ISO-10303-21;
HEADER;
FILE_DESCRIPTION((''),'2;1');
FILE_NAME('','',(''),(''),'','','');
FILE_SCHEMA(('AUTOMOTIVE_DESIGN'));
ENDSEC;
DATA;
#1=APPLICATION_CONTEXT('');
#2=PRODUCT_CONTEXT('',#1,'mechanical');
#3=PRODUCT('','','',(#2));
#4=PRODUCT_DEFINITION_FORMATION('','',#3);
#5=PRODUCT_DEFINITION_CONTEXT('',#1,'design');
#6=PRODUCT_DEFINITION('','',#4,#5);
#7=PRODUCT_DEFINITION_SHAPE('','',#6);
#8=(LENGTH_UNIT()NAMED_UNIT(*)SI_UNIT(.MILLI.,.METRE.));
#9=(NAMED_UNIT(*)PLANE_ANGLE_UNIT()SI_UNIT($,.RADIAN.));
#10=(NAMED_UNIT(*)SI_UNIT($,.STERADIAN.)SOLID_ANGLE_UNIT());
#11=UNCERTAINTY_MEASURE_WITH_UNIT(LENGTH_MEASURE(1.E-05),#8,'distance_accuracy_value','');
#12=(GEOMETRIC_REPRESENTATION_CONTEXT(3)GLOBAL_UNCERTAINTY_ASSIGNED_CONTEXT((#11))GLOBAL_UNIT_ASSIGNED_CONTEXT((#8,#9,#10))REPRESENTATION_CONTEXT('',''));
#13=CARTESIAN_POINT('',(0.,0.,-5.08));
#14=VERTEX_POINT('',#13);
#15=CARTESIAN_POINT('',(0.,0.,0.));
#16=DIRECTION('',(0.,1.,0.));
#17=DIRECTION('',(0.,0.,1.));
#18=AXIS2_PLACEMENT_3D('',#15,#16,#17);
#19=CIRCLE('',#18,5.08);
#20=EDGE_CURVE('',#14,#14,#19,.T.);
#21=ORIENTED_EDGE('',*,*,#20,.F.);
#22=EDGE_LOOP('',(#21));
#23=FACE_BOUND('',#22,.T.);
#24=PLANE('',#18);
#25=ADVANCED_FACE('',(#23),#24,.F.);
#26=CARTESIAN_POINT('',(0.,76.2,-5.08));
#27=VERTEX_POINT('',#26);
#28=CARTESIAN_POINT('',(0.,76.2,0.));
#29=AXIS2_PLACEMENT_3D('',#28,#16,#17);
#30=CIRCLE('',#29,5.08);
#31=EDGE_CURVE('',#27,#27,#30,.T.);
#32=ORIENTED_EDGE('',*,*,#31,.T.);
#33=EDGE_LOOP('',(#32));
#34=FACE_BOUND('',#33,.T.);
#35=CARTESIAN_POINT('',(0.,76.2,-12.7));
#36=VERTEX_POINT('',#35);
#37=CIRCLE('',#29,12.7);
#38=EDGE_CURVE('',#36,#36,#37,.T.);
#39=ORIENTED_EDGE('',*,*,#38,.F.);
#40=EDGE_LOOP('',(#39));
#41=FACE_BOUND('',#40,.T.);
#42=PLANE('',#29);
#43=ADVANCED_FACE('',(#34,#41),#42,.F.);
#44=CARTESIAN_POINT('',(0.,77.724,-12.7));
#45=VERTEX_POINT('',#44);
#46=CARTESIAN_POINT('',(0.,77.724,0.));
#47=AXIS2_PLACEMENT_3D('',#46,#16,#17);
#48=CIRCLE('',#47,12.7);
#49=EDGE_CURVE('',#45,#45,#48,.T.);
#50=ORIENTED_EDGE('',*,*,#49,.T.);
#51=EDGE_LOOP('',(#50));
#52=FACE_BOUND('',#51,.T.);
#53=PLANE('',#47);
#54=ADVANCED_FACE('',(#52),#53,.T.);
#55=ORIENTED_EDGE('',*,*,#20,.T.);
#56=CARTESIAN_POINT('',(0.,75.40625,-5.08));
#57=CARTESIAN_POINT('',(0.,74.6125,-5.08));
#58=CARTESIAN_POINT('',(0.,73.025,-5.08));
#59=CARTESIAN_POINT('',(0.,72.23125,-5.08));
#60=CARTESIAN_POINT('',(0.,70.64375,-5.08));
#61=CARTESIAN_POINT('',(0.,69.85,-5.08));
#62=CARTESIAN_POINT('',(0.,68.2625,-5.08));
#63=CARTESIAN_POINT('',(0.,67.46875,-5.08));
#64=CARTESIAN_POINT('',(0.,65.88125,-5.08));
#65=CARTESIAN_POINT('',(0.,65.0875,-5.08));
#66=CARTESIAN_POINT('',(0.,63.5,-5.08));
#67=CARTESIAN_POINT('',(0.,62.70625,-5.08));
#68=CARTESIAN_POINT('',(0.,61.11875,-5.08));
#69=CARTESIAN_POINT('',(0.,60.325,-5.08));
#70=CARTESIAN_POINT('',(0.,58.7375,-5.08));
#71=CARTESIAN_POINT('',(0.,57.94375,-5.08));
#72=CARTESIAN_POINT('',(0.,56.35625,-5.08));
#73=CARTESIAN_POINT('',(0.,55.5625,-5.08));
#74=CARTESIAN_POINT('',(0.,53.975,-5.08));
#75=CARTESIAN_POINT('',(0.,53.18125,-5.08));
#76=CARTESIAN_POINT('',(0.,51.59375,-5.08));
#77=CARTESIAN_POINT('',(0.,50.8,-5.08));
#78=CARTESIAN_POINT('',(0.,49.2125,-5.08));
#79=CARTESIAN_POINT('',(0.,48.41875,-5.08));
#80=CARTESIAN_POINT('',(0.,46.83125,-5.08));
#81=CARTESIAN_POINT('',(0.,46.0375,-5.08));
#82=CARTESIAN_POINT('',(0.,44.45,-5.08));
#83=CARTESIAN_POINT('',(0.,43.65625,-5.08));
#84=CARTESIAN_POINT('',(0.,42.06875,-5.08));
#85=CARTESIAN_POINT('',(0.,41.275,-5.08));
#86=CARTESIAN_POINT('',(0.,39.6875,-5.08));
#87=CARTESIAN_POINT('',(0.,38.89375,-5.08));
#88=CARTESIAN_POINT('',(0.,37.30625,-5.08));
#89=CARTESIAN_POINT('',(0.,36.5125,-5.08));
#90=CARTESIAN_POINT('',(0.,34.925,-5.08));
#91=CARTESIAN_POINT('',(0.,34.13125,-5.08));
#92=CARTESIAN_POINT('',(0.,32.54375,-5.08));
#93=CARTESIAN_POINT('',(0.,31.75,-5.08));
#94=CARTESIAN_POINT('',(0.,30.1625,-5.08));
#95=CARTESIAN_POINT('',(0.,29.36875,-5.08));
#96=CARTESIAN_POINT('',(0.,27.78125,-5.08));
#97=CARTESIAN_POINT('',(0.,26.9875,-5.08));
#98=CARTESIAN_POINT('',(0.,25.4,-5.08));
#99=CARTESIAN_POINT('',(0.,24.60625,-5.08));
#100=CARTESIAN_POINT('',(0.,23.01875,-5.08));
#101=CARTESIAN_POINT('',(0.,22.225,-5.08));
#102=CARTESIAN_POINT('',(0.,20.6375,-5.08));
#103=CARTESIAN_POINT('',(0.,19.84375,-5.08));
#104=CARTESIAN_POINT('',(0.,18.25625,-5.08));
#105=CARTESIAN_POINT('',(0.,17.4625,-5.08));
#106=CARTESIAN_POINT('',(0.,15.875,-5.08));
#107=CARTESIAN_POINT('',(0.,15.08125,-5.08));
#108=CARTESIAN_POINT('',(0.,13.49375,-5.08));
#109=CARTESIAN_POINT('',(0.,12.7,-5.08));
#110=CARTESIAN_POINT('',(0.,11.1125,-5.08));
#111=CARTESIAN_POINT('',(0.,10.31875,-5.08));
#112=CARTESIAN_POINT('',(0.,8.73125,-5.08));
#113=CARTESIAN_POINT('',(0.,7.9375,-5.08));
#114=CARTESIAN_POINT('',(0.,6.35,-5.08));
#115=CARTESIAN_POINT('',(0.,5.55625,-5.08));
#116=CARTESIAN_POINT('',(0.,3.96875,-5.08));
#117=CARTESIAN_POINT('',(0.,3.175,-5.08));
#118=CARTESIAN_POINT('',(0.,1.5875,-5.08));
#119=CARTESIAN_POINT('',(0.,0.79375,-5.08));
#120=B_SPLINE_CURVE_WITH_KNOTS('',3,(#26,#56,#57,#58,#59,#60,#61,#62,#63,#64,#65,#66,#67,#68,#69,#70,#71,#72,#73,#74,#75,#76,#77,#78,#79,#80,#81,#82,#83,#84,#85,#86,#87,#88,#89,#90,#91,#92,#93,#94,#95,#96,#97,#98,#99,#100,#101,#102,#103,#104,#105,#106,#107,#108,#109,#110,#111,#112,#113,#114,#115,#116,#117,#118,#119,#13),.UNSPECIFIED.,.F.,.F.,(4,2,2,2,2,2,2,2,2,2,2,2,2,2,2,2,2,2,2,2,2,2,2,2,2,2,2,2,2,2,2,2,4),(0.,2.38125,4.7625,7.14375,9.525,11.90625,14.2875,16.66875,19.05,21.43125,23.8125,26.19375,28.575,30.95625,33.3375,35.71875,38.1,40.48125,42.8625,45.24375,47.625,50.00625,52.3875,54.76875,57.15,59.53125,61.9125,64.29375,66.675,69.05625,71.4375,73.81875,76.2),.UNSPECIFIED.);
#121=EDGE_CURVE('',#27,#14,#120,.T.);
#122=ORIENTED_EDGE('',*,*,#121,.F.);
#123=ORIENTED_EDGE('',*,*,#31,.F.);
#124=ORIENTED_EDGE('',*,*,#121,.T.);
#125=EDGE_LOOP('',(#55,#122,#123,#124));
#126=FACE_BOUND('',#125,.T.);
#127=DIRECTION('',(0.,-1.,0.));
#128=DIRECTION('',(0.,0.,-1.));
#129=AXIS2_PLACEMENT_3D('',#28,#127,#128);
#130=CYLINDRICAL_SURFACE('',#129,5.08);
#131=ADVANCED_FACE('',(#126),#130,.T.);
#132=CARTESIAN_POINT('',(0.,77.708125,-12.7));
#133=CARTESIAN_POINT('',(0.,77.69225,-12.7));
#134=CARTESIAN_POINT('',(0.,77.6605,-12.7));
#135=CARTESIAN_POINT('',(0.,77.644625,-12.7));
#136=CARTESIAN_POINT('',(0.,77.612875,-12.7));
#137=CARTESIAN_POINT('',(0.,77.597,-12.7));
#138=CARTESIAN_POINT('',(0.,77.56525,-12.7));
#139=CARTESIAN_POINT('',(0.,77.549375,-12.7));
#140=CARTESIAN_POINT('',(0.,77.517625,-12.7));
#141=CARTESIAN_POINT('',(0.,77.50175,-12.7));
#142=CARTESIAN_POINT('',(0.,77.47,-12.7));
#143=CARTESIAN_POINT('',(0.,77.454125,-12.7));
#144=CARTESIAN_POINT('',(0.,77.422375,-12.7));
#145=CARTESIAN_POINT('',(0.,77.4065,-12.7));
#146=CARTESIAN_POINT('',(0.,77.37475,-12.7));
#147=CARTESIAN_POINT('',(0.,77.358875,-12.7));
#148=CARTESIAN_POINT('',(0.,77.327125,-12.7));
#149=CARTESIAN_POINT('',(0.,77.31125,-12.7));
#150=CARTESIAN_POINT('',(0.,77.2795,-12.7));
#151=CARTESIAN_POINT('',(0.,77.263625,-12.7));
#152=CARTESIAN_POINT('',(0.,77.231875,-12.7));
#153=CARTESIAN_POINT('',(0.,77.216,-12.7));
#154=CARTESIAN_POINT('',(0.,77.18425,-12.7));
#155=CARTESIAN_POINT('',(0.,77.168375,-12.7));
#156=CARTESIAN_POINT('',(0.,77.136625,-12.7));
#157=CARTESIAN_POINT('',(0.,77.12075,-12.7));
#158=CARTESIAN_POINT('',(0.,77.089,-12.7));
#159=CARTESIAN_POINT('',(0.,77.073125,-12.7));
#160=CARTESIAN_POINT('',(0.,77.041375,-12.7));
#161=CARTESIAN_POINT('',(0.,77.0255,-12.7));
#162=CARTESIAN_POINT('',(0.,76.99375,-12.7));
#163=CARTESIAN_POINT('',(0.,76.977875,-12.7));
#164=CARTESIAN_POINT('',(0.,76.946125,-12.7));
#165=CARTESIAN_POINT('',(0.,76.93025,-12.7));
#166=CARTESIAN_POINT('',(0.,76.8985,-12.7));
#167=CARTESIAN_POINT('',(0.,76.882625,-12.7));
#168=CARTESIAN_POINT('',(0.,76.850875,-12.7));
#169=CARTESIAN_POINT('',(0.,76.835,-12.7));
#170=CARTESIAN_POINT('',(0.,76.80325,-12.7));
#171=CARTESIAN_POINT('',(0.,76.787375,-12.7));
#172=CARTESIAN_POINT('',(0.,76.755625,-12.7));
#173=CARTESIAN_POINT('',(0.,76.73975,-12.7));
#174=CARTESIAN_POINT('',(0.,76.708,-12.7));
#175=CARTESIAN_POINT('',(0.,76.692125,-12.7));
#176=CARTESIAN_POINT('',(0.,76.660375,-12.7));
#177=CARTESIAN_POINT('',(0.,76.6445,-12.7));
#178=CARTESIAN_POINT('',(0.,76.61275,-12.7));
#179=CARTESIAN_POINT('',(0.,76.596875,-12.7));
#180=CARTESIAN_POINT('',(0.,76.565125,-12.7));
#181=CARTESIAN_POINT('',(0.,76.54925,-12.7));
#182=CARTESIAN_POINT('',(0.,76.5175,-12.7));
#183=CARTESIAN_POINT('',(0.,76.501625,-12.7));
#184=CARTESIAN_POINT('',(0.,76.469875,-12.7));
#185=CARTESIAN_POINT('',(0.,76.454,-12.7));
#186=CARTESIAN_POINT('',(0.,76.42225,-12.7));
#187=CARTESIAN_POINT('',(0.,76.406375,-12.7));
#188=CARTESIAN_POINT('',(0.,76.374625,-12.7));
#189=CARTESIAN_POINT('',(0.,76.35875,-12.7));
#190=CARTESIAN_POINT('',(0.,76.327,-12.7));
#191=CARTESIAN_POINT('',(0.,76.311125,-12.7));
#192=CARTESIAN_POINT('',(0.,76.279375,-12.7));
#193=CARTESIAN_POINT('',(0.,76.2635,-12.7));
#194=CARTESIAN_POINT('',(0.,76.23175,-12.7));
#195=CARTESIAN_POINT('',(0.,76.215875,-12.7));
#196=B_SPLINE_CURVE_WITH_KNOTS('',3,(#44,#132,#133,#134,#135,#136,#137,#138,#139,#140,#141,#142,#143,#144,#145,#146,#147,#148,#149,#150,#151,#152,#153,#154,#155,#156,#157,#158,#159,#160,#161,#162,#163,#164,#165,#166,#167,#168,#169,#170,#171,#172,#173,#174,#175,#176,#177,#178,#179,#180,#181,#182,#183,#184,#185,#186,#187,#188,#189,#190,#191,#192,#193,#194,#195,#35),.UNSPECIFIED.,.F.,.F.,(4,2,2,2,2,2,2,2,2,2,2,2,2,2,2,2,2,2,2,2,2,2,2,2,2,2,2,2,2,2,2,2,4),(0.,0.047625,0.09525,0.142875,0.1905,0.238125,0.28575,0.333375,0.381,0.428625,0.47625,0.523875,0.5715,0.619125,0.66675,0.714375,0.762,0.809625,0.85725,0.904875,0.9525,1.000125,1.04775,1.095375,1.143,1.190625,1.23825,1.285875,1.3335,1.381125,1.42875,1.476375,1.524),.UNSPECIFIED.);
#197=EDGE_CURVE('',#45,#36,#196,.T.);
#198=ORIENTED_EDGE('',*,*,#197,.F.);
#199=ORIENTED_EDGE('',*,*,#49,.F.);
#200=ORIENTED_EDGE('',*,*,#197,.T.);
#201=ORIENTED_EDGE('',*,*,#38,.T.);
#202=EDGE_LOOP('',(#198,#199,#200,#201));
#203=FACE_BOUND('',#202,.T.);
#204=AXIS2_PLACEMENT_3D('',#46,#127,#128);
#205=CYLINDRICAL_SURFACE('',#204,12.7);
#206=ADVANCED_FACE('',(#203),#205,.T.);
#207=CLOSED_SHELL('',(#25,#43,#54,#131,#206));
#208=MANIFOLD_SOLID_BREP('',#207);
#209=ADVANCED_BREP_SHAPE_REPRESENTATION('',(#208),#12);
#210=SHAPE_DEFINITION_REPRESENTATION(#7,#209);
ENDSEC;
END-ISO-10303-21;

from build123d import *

# Parameters (mm, degrees)
SKETCH1_R           = 5.08
BOSS_EXTRUDE1_DEPTH = 76.2
SKETCH2_R           = 12.7
BOSS_EXTRUDE2_DEPTH = 1.524


with BuildPart() as part:
    # Sketch1 → Boss-Extrude1 (new body)
    with BuildSketch(Plane(origin=(0, 0, 0), x_dir=(1, 0, 0), z_dir=(0, 1, 0))):
        with Locations(Location((0, 0, 0), (0, 0, 90))):
            Circle(SKETCH1_R)
    extrude(amount=BOSS_EXTRUDE1_DEPTH)

    # Sketch2 → Boss-Extrude2 (add)
    with BuildSketch(Plane(origin=(0, 76.2, 0), x_dir=(1, 0, 0), z_dir=(0, 1, 0))):
        with Locations(Location((0, 0, 0), (0, 0, 90))):
            Circle(SKETCH2_R)
    extrude(amount=BOSS_EXTRUDE2_DEPTH)


solid = part.part
